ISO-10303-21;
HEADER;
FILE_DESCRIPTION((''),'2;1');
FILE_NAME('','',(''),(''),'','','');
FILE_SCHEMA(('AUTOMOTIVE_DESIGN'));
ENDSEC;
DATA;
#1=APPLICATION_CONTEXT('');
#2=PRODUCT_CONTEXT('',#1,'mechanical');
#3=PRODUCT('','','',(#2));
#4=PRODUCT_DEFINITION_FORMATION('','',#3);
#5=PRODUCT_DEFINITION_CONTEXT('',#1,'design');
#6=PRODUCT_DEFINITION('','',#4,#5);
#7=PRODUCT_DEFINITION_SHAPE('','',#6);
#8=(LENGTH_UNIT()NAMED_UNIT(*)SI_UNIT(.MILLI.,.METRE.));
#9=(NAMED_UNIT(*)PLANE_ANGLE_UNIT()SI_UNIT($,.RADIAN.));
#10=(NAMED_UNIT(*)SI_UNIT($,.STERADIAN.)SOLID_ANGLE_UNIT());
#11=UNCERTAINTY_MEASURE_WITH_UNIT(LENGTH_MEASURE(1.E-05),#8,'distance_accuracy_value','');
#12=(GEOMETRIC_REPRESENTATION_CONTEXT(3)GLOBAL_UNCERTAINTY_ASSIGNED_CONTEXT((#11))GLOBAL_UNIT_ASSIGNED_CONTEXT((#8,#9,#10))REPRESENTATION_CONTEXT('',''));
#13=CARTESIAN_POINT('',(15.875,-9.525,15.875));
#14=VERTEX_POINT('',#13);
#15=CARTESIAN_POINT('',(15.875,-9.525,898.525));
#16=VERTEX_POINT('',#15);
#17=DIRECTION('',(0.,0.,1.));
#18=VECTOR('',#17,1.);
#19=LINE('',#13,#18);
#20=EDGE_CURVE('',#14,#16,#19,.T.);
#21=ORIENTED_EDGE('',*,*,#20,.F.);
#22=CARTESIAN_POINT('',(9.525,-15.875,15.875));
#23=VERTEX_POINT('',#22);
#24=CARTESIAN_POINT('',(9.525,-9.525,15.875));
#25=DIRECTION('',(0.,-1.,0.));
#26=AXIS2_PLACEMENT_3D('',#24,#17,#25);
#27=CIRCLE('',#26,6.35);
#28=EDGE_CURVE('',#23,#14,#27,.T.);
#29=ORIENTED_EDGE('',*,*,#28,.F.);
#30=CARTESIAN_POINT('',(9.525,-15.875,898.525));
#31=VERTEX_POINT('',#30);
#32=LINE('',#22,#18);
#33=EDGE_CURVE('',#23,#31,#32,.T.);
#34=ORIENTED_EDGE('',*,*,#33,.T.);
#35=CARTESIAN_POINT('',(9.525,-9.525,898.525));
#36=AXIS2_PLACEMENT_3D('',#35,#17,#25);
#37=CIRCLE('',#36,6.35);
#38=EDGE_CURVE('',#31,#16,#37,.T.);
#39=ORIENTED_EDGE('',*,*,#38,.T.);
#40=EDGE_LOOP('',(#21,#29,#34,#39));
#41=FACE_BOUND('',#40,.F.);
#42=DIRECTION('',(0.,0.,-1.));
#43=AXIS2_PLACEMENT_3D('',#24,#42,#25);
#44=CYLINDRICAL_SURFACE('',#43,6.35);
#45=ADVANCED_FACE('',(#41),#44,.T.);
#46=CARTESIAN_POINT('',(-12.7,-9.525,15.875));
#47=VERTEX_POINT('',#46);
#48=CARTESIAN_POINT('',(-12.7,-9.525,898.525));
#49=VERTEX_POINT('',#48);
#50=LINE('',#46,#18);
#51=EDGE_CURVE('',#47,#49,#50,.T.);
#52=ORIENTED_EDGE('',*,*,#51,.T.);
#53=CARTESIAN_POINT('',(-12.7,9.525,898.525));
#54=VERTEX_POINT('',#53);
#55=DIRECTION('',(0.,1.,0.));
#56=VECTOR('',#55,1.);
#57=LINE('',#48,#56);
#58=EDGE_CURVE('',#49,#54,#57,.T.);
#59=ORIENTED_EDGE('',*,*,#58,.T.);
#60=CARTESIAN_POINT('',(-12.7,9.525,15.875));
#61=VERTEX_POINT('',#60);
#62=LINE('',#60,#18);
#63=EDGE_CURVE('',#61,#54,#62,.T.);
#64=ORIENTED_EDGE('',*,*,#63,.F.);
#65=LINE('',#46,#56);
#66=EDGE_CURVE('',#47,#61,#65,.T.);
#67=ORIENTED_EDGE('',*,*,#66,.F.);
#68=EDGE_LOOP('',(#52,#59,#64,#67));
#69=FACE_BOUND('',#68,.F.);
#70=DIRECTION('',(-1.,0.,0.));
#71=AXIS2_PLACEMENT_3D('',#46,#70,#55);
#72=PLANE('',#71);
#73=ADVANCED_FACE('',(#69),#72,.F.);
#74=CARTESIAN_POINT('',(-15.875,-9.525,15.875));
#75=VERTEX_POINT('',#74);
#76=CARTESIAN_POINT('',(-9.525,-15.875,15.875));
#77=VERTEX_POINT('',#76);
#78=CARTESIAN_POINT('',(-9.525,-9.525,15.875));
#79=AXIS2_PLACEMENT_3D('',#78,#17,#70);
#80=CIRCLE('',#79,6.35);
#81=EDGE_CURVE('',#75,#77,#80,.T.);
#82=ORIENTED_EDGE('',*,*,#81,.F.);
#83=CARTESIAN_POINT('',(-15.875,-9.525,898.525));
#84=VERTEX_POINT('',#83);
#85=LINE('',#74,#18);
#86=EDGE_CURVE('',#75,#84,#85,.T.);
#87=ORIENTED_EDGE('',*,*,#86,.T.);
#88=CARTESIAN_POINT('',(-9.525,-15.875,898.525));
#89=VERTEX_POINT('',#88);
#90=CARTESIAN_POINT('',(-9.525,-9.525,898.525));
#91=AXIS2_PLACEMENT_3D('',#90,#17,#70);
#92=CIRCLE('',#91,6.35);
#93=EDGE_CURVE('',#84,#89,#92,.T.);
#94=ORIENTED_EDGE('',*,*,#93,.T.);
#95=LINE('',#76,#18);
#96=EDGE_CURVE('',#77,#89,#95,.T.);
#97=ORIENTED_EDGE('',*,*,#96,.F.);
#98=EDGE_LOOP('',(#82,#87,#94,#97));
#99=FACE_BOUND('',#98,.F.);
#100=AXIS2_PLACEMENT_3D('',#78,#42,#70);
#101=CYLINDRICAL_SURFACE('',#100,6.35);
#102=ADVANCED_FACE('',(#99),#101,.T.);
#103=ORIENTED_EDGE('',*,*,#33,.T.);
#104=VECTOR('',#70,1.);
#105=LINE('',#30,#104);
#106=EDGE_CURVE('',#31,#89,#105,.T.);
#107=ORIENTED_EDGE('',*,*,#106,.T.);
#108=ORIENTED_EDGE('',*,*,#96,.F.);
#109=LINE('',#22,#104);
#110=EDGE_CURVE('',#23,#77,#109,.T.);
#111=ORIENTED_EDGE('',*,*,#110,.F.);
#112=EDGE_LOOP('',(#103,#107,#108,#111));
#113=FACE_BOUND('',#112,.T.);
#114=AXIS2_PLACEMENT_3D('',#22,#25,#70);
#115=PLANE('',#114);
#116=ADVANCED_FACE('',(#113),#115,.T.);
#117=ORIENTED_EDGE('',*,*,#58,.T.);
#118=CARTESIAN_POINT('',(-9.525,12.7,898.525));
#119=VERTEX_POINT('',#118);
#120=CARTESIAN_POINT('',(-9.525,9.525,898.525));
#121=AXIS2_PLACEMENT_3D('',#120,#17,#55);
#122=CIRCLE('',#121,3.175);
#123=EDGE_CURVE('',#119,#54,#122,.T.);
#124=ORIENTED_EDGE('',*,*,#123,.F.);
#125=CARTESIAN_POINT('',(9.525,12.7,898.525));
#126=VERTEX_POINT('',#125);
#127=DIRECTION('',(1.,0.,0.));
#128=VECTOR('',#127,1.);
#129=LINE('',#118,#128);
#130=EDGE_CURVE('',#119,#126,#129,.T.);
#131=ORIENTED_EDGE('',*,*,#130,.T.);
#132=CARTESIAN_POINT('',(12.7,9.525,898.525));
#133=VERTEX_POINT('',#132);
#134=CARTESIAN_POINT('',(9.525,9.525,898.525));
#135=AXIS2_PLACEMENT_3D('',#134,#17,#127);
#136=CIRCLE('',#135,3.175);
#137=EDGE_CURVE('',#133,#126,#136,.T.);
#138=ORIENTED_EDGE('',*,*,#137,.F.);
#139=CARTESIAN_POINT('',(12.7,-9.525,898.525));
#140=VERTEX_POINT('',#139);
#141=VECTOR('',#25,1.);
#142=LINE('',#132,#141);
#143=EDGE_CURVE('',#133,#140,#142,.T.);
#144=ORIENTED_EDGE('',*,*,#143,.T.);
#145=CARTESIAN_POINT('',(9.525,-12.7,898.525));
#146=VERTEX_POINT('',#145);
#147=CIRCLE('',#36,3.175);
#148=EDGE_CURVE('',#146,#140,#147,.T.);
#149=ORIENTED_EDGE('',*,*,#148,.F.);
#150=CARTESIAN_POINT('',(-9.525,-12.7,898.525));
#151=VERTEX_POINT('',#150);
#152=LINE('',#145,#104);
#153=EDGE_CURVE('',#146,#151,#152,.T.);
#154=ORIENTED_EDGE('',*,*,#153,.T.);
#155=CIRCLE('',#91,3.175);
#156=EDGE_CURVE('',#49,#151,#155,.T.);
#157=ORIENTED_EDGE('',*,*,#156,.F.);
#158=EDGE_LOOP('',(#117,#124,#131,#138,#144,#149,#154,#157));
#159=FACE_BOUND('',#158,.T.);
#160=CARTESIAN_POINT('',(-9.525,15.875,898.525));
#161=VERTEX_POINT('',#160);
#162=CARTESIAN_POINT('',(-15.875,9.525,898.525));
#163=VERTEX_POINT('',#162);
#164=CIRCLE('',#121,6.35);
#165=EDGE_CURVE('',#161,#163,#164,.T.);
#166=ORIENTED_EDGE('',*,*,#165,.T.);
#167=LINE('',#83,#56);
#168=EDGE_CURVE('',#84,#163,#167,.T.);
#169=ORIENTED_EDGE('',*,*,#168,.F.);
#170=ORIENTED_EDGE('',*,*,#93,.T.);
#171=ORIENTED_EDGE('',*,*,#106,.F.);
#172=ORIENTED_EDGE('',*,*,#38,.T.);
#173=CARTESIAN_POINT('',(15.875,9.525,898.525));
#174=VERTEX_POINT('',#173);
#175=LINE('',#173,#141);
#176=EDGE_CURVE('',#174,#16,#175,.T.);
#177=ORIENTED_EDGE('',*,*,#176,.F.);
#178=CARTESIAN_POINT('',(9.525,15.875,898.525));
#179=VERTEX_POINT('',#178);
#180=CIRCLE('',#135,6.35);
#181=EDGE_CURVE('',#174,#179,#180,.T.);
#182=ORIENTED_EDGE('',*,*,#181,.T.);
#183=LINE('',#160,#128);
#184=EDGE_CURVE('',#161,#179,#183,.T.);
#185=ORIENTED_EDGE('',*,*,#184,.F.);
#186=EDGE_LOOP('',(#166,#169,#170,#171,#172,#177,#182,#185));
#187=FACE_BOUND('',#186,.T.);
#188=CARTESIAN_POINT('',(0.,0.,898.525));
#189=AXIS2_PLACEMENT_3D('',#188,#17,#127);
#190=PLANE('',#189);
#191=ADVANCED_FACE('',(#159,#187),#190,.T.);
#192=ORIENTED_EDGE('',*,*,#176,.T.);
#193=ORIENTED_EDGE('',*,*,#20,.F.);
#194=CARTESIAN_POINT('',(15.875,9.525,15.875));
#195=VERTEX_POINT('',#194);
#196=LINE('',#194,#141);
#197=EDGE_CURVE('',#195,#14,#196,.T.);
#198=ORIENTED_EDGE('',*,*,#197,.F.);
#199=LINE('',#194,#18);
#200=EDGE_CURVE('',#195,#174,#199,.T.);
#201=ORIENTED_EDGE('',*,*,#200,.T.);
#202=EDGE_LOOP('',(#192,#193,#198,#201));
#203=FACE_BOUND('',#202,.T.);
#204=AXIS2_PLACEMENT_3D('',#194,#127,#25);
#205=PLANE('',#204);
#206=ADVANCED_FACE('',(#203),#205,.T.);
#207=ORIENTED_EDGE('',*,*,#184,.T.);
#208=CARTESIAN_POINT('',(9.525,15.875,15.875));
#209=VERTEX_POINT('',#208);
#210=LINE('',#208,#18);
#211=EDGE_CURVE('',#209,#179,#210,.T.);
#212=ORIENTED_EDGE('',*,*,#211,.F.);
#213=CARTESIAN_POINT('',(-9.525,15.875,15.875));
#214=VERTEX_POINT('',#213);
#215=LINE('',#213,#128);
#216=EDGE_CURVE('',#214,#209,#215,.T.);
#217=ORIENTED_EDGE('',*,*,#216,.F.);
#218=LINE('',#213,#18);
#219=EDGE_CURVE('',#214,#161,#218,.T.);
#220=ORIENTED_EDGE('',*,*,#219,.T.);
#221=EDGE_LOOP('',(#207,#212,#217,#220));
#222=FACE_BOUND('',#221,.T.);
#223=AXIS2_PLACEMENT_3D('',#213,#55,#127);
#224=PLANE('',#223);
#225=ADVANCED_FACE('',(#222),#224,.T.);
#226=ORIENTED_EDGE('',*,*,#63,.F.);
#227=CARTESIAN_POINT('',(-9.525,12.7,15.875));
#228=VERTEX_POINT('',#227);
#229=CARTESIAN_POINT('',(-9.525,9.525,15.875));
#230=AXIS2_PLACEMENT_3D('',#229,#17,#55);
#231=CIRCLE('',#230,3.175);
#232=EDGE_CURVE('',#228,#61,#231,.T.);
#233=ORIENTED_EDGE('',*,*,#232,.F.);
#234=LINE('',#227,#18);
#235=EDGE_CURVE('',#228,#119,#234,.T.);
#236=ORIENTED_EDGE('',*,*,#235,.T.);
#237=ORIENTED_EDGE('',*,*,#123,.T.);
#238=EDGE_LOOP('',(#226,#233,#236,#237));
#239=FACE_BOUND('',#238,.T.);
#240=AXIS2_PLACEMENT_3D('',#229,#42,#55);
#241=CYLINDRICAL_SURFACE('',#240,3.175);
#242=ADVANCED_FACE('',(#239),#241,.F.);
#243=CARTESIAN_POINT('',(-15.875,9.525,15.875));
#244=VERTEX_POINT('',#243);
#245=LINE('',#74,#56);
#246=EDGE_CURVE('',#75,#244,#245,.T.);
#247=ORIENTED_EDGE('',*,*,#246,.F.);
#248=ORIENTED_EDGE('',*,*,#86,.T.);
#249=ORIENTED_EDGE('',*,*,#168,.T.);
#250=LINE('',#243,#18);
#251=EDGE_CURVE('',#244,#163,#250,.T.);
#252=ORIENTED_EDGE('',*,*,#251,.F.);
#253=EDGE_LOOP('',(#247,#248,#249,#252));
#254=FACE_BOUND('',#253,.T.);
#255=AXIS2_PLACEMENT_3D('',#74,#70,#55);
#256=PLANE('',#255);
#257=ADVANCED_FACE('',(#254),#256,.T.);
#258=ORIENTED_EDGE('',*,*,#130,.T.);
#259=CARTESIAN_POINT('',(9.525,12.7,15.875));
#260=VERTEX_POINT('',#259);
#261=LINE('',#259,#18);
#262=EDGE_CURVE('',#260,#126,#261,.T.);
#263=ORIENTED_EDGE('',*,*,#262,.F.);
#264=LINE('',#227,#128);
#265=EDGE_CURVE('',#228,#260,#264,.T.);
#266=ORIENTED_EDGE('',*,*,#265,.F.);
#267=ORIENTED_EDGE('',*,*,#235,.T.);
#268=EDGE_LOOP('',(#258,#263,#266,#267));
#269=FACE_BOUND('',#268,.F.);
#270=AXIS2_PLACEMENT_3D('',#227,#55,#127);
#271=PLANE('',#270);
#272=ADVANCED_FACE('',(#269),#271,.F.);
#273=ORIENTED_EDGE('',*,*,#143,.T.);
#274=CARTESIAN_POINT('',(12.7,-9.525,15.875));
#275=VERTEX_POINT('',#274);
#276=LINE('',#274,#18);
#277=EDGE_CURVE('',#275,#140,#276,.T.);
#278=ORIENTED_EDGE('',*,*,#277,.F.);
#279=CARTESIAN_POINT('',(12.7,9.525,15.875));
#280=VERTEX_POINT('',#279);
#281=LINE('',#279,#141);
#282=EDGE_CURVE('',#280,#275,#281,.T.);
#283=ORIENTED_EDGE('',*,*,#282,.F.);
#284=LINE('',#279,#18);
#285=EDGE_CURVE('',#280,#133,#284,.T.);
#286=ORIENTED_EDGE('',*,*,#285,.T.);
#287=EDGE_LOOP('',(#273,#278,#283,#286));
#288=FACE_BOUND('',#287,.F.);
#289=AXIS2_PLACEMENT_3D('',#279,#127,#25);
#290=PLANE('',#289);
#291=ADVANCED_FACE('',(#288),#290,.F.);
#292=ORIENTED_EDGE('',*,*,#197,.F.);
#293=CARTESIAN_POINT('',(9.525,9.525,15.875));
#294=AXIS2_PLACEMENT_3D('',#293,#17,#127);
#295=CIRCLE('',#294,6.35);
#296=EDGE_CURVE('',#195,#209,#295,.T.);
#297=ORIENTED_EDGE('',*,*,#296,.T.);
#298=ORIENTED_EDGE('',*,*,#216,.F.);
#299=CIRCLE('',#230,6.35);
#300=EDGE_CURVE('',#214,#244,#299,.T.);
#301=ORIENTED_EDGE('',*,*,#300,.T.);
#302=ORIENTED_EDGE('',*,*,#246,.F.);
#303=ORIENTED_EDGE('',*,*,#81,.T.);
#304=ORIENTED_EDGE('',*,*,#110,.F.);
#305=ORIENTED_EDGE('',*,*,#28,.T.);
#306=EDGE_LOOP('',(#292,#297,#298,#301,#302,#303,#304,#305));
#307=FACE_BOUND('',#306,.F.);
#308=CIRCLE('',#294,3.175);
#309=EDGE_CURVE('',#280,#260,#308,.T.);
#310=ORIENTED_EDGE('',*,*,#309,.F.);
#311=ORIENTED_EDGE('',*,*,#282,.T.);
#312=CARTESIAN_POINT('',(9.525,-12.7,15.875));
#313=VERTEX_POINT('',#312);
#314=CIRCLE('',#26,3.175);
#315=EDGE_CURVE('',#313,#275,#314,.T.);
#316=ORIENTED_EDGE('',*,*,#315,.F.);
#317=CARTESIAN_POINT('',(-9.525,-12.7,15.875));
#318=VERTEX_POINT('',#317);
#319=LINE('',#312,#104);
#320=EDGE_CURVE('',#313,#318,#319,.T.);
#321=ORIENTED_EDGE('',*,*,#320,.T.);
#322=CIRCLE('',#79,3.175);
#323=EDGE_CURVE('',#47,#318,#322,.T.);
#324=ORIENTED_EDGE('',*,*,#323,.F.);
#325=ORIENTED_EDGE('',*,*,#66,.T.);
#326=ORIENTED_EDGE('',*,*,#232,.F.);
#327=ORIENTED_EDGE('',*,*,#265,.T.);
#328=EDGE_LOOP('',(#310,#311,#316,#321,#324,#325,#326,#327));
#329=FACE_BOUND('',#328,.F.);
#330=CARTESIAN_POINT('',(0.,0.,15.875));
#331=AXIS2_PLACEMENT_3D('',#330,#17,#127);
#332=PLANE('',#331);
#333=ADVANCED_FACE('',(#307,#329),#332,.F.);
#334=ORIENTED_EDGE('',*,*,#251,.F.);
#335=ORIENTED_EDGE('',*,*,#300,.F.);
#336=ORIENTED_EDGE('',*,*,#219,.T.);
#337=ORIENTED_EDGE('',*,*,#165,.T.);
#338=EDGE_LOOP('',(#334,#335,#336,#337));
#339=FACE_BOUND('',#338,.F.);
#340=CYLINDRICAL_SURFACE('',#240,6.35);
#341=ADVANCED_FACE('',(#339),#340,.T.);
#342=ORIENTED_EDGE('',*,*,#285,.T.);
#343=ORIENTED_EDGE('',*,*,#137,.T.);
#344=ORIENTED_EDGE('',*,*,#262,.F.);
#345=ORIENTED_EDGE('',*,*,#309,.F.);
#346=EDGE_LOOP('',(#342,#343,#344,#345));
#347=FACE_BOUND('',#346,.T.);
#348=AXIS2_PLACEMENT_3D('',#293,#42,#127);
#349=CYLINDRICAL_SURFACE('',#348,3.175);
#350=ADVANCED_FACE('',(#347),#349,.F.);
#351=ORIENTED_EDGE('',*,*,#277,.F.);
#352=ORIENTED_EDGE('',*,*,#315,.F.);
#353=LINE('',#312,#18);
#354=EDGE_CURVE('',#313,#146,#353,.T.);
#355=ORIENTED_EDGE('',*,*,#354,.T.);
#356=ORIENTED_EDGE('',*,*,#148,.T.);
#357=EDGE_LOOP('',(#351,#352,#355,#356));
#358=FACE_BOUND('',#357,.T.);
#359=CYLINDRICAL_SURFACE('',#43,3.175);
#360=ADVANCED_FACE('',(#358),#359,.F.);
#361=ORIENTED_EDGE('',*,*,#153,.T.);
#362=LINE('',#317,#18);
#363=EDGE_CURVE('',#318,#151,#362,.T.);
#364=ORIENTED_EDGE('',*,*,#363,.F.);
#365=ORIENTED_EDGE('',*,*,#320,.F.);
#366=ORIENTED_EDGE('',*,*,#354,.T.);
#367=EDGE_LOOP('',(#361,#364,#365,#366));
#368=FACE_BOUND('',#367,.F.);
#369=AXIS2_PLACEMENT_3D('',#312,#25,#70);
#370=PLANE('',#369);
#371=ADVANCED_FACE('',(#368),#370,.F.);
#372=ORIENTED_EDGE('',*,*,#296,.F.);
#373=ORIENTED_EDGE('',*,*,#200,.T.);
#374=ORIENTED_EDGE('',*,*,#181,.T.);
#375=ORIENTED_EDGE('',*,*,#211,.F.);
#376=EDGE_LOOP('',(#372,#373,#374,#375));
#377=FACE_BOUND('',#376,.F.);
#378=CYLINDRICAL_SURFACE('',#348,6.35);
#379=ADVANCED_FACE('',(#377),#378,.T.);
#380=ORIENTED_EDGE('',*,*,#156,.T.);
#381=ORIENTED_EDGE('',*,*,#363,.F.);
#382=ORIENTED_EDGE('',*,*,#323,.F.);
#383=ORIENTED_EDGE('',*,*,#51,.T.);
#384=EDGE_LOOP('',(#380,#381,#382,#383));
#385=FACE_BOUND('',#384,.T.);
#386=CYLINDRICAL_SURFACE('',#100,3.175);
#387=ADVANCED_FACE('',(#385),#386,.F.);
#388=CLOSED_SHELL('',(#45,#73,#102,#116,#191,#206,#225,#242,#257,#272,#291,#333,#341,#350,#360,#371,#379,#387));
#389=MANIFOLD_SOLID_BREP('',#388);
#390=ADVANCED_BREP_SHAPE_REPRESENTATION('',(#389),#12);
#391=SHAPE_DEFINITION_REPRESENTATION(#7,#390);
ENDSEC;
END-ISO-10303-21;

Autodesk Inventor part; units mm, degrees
ref_plane "Start plane" through (0, 0, 15.875) normal (0, 0, 1) x (1, 0, 0)
ref_plane "End plane" through (0, 0, 898.525) normal (0, 0, 1) x (1, 0, 0)
sketch "Sketch" plane through (0, 0, 0) normal (0, 0, 1) x (1, 0, 0)
  line L0 (-15.875, -9.525) -> (-15.875, 9.525)
  line L1 (-9.525, 15.875) -> (9.525, 15.875)
  line L2 (15.875, 9.525) -> (15.875, -9.525)
  line L3 (9.525, -15.875) -> (-9.525, -15.875)
  arc A0 (-15.875, -9.525) -> (-9.525, -15.875) centre (-9.525, -9.525) ccw
  arc A1 (-9.525, 15.875) -> (-15.875, 9.525) centre (-9.525, 9.525) ccw
  arc A2 (15.875, 9.525) -> (9.525, 15.875) centre (9.525, 9.525) ccw
  arc A3 (9.525, -15.875) -> (15.875, -9.525) centre (9.525, -9.525) ccw
  arc A4 (-9.525, 12.7) -> (-12.7, 9.525) centre (-9.525, 9.525) ccw
  line L4 (-9.525, 12.7) -> (9.525, 12.7)
  arc A5 (12.7, 9.525) -> (9.525, 12.7) centre (9.525, 9.525) ccw
  line L5 (12.7, 9.525) -> (12.7, -9.525)
  arc A6 (9.525, -12.7) -> (12.7, -9.525) centre (9.525, -9.525) ccw
  line L6 (9.525, -12.7) -> (-9.525, -12.7)
  arc A7 (-12.7, -9.525) -> (-9.525, -12.7) centre (-9.525, -9.525) ccw
  line L7 (-12.7, -9.525) -> (-12.7, 9.525)
  line L8 (0, 24.0662) -> (0, -24.0662) construction
  line L9 (-24.0662, 0) -> (24.0662, 0) construction
  dimension "d10" = 31.75
  dimension "d11" = 31.75
  dimension "d12" = 3.175
  dimension "d15" = 15.875
  dimension "d16" = 15.875
  dimension "d17" = 6.35
extrude "Body" add sketch "Sketch" along normal up to surface (882.65 mm away) from surface at 15.875
sketch "Sketch3" plane through (0, 0, 0) normal (0, 0, 1) x (1, 0, 0)
  line L0 (0, 0) -> (10, 0)
ref_plane "Work Plane3" through (0, 0, 0) normal (0, -1, 0) x (1, 0, 0)
sketch "Sketch4" plane through (0, 0, 0) normal (0, -1, 0) x (1, 0, 0)
  line L0 (-2, 15.875) -> (12, 15.875)
  line L1 (-2, 898.525) -> (12, 898.525)
  dimension "d19" = 882.65
ref_plane "Work Plane4" through (101.6, 9.525, 15.875) normal (0, 0, -1) x (-1, 0, 0)
split "Split1" plane through (101.6, 9.525, 15.875) removes the side toward (0, 0, -1)
ref_plane "Work Plane5" through (101.6, -9.525, 898.525) normal (0, 0, 1) x (1, 0, 0)
split "Split2" plane through (101.6, -9.525, 898.525) removes the side toward (0, 0, 1)
equation "\"d10\" = G_H"
equation "\"d11\" = G_W"
equation "\"d12\" = G_T"
equation "\"d15\" = 0.5 * d10"
equation "\"d16\" = 0.5 * d11"
equation "\"d17\" = G_IR"
equation "\"d3\" = G_L"
equation "\"G_W\" = 31.75"
equation "\"G_H\" = 31.75"
equation "\"G_T\" = 3.175"
equation "\"G_IR\" = 6.35"
equation "\"G_L\" = d19"
equation "\"G_OFFSET_START\" = -15.875"
equation "\"G_OFFSET_END\" = -15.875"
equation "\"d13\" = -G_OFFSET_START"
equation "\"d14\" = G_OFFSET_END + B_L"
equation "\"B_L\" = 914.4"
properties part number "AISC HSS - 1-1/4x1-1/4x1/8 - 34.75" material "Steel, Mild"
